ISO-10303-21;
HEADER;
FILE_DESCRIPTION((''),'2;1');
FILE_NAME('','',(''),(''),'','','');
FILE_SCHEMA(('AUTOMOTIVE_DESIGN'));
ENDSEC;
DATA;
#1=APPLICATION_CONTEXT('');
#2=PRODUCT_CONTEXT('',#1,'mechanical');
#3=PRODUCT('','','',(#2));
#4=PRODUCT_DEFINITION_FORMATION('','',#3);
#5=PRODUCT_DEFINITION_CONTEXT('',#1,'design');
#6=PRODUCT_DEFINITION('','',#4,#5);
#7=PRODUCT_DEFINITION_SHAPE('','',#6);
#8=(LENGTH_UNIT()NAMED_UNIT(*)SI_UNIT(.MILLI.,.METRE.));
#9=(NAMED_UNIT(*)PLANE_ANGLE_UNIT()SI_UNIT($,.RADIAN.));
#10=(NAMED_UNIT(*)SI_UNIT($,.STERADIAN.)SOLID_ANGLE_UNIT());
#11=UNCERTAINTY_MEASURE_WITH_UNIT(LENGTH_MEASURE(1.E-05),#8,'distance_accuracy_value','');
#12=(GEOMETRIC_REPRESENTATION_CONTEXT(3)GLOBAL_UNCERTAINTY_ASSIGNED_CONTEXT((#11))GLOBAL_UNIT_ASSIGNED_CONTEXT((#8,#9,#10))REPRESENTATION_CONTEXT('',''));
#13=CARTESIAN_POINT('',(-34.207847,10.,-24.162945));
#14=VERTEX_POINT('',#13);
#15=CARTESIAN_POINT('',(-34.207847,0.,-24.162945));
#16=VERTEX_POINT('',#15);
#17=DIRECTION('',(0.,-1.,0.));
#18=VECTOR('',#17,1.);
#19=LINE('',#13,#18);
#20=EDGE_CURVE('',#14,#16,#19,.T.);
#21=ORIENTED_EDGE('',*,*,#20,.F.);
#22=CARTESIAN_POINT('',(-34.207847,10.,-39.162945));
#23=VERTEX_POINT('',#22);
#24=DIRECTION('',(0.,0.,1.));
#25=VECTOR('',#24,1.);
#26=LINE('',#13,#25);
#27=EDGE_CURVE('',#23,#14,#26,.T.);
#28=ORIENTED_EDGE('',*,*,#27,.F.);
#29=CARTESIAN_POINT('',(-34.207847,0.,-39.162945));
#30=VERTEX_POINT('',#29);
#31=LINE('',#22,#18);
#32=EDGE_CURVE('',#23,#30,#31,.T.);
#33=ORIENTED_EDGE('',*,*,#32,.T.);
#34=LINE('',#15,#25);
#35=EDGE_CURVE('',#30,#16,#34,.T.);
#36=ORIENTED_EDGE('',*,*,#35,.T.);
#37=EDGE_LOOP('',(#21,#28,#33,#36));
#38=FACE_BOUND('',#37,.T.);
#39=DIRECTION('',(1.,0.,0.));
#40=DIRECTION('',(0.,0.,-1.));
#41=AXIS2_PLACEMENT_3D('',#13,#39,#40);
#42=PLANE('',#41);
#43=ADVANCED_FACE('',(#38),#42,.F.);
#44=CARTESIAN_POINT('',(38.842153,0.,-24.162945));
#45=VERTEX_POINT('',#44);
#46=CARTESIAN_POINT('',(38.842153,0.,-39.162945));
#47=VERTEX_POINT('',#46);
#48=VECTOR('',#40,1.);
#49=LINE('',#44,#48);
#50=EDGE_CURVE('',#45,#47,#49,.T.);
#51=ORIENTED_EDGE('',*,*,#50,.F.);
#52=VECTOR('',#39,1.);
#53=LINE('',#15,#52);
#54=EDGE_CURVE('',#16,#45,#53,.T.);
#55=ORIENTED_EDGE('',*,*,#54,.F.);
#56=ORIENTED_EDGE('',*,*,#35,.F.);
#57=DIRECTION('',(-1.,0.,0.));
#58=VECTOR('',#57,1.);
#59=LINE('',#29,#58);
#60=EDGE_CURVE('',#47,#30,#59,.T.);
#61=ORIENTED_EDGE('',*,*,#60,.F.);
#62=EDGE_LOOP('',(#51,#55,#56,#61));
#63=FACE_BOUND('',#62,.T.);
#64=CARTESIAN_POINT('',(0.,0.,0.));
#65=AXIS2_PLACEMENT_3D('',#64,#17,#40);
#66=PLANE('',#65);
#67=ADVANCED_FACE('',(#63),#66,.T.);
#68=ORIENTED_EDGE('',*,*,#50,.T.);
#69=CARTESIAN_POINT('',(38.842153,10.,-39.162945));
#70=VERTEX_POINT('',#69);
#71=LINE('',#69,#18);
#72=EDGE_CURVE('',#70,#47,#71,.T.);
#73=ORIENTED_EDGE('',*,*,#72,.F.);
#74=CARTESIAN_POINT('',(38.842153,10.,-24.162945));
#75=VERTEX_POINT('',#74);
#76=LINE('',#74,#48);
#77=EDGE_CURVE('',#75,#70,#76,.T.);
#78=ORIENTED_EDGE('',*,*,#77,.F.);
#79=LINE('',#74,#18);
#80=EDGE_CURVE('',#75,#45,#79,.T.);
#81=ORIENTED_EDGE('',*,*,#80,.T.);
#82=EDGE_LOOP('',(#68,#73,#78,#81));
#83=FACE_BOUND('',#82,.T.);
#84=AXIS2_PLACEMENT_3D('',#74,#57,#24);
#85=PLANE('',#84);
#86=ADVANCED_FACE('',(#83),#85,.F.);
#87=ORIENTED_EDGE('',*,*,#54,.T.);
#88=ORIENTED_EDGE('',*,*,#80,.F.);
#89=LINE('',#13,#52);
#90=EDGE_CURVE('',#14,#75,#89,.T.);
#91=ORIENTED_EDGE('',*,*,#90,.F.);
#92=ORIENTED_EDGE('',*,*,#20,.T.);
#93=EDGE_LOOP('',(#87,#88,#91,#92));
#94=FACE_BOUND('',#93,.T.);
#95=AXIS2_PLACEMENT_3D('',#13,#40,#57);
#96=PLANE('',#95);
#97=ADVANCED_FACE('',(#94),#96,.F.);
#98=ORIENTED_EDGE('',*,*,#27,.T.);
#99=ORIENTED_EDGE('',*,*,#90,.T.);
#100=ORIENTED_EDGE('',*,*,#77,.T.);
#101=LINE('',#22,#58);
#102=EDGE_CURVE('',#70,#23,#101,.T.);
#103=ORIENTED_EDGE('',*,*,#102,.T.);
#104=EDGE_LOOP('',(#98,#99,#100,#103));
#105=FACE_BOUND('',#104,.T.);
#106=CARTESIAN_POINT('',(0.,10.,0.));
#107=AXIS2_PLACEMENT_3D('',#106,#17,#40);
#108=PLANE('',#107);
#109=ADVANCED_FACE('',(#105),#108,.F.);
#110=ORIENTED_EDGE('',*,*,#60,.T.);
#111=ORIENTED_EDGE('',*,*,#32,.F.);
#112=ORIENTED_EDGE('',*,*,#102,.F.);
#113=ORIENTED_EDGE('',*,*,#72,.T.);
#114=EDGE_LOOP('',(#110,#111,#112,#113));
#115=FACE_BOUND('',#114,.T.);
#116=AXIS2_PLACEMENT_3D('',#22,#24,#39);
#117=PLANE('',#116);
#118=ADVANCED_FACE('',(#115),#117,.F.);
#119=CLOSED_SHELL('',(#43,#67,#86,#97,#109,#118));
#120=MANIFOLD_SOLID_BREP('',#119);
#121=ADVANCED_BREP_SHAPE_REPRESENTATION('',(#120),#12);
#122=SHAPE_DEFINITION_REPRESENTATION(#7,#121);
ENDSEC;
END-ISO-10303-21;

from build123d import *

# Parameters (mm, degrees)
SKETCH_1_W      = 73.05
SKETCH_1_H      = 15
EXTRUDE_1_DEPTH = 10


with BuildPart() as part:
    # 草图1 → 凸台-拉伸1 (new body)
    with BuildSketch(Plane(origin=(0, 0, 0), x_dir=(1, 0, 0), z_dir=(0, 1, 0))):
        with Locations((2.317153007, 31.662945232)):
            Rectangle(SKETCH_1_W, SKETCH_1_H)
    extrude(amount=EXTRUDE_1_DEPTH)


solid = part.part
